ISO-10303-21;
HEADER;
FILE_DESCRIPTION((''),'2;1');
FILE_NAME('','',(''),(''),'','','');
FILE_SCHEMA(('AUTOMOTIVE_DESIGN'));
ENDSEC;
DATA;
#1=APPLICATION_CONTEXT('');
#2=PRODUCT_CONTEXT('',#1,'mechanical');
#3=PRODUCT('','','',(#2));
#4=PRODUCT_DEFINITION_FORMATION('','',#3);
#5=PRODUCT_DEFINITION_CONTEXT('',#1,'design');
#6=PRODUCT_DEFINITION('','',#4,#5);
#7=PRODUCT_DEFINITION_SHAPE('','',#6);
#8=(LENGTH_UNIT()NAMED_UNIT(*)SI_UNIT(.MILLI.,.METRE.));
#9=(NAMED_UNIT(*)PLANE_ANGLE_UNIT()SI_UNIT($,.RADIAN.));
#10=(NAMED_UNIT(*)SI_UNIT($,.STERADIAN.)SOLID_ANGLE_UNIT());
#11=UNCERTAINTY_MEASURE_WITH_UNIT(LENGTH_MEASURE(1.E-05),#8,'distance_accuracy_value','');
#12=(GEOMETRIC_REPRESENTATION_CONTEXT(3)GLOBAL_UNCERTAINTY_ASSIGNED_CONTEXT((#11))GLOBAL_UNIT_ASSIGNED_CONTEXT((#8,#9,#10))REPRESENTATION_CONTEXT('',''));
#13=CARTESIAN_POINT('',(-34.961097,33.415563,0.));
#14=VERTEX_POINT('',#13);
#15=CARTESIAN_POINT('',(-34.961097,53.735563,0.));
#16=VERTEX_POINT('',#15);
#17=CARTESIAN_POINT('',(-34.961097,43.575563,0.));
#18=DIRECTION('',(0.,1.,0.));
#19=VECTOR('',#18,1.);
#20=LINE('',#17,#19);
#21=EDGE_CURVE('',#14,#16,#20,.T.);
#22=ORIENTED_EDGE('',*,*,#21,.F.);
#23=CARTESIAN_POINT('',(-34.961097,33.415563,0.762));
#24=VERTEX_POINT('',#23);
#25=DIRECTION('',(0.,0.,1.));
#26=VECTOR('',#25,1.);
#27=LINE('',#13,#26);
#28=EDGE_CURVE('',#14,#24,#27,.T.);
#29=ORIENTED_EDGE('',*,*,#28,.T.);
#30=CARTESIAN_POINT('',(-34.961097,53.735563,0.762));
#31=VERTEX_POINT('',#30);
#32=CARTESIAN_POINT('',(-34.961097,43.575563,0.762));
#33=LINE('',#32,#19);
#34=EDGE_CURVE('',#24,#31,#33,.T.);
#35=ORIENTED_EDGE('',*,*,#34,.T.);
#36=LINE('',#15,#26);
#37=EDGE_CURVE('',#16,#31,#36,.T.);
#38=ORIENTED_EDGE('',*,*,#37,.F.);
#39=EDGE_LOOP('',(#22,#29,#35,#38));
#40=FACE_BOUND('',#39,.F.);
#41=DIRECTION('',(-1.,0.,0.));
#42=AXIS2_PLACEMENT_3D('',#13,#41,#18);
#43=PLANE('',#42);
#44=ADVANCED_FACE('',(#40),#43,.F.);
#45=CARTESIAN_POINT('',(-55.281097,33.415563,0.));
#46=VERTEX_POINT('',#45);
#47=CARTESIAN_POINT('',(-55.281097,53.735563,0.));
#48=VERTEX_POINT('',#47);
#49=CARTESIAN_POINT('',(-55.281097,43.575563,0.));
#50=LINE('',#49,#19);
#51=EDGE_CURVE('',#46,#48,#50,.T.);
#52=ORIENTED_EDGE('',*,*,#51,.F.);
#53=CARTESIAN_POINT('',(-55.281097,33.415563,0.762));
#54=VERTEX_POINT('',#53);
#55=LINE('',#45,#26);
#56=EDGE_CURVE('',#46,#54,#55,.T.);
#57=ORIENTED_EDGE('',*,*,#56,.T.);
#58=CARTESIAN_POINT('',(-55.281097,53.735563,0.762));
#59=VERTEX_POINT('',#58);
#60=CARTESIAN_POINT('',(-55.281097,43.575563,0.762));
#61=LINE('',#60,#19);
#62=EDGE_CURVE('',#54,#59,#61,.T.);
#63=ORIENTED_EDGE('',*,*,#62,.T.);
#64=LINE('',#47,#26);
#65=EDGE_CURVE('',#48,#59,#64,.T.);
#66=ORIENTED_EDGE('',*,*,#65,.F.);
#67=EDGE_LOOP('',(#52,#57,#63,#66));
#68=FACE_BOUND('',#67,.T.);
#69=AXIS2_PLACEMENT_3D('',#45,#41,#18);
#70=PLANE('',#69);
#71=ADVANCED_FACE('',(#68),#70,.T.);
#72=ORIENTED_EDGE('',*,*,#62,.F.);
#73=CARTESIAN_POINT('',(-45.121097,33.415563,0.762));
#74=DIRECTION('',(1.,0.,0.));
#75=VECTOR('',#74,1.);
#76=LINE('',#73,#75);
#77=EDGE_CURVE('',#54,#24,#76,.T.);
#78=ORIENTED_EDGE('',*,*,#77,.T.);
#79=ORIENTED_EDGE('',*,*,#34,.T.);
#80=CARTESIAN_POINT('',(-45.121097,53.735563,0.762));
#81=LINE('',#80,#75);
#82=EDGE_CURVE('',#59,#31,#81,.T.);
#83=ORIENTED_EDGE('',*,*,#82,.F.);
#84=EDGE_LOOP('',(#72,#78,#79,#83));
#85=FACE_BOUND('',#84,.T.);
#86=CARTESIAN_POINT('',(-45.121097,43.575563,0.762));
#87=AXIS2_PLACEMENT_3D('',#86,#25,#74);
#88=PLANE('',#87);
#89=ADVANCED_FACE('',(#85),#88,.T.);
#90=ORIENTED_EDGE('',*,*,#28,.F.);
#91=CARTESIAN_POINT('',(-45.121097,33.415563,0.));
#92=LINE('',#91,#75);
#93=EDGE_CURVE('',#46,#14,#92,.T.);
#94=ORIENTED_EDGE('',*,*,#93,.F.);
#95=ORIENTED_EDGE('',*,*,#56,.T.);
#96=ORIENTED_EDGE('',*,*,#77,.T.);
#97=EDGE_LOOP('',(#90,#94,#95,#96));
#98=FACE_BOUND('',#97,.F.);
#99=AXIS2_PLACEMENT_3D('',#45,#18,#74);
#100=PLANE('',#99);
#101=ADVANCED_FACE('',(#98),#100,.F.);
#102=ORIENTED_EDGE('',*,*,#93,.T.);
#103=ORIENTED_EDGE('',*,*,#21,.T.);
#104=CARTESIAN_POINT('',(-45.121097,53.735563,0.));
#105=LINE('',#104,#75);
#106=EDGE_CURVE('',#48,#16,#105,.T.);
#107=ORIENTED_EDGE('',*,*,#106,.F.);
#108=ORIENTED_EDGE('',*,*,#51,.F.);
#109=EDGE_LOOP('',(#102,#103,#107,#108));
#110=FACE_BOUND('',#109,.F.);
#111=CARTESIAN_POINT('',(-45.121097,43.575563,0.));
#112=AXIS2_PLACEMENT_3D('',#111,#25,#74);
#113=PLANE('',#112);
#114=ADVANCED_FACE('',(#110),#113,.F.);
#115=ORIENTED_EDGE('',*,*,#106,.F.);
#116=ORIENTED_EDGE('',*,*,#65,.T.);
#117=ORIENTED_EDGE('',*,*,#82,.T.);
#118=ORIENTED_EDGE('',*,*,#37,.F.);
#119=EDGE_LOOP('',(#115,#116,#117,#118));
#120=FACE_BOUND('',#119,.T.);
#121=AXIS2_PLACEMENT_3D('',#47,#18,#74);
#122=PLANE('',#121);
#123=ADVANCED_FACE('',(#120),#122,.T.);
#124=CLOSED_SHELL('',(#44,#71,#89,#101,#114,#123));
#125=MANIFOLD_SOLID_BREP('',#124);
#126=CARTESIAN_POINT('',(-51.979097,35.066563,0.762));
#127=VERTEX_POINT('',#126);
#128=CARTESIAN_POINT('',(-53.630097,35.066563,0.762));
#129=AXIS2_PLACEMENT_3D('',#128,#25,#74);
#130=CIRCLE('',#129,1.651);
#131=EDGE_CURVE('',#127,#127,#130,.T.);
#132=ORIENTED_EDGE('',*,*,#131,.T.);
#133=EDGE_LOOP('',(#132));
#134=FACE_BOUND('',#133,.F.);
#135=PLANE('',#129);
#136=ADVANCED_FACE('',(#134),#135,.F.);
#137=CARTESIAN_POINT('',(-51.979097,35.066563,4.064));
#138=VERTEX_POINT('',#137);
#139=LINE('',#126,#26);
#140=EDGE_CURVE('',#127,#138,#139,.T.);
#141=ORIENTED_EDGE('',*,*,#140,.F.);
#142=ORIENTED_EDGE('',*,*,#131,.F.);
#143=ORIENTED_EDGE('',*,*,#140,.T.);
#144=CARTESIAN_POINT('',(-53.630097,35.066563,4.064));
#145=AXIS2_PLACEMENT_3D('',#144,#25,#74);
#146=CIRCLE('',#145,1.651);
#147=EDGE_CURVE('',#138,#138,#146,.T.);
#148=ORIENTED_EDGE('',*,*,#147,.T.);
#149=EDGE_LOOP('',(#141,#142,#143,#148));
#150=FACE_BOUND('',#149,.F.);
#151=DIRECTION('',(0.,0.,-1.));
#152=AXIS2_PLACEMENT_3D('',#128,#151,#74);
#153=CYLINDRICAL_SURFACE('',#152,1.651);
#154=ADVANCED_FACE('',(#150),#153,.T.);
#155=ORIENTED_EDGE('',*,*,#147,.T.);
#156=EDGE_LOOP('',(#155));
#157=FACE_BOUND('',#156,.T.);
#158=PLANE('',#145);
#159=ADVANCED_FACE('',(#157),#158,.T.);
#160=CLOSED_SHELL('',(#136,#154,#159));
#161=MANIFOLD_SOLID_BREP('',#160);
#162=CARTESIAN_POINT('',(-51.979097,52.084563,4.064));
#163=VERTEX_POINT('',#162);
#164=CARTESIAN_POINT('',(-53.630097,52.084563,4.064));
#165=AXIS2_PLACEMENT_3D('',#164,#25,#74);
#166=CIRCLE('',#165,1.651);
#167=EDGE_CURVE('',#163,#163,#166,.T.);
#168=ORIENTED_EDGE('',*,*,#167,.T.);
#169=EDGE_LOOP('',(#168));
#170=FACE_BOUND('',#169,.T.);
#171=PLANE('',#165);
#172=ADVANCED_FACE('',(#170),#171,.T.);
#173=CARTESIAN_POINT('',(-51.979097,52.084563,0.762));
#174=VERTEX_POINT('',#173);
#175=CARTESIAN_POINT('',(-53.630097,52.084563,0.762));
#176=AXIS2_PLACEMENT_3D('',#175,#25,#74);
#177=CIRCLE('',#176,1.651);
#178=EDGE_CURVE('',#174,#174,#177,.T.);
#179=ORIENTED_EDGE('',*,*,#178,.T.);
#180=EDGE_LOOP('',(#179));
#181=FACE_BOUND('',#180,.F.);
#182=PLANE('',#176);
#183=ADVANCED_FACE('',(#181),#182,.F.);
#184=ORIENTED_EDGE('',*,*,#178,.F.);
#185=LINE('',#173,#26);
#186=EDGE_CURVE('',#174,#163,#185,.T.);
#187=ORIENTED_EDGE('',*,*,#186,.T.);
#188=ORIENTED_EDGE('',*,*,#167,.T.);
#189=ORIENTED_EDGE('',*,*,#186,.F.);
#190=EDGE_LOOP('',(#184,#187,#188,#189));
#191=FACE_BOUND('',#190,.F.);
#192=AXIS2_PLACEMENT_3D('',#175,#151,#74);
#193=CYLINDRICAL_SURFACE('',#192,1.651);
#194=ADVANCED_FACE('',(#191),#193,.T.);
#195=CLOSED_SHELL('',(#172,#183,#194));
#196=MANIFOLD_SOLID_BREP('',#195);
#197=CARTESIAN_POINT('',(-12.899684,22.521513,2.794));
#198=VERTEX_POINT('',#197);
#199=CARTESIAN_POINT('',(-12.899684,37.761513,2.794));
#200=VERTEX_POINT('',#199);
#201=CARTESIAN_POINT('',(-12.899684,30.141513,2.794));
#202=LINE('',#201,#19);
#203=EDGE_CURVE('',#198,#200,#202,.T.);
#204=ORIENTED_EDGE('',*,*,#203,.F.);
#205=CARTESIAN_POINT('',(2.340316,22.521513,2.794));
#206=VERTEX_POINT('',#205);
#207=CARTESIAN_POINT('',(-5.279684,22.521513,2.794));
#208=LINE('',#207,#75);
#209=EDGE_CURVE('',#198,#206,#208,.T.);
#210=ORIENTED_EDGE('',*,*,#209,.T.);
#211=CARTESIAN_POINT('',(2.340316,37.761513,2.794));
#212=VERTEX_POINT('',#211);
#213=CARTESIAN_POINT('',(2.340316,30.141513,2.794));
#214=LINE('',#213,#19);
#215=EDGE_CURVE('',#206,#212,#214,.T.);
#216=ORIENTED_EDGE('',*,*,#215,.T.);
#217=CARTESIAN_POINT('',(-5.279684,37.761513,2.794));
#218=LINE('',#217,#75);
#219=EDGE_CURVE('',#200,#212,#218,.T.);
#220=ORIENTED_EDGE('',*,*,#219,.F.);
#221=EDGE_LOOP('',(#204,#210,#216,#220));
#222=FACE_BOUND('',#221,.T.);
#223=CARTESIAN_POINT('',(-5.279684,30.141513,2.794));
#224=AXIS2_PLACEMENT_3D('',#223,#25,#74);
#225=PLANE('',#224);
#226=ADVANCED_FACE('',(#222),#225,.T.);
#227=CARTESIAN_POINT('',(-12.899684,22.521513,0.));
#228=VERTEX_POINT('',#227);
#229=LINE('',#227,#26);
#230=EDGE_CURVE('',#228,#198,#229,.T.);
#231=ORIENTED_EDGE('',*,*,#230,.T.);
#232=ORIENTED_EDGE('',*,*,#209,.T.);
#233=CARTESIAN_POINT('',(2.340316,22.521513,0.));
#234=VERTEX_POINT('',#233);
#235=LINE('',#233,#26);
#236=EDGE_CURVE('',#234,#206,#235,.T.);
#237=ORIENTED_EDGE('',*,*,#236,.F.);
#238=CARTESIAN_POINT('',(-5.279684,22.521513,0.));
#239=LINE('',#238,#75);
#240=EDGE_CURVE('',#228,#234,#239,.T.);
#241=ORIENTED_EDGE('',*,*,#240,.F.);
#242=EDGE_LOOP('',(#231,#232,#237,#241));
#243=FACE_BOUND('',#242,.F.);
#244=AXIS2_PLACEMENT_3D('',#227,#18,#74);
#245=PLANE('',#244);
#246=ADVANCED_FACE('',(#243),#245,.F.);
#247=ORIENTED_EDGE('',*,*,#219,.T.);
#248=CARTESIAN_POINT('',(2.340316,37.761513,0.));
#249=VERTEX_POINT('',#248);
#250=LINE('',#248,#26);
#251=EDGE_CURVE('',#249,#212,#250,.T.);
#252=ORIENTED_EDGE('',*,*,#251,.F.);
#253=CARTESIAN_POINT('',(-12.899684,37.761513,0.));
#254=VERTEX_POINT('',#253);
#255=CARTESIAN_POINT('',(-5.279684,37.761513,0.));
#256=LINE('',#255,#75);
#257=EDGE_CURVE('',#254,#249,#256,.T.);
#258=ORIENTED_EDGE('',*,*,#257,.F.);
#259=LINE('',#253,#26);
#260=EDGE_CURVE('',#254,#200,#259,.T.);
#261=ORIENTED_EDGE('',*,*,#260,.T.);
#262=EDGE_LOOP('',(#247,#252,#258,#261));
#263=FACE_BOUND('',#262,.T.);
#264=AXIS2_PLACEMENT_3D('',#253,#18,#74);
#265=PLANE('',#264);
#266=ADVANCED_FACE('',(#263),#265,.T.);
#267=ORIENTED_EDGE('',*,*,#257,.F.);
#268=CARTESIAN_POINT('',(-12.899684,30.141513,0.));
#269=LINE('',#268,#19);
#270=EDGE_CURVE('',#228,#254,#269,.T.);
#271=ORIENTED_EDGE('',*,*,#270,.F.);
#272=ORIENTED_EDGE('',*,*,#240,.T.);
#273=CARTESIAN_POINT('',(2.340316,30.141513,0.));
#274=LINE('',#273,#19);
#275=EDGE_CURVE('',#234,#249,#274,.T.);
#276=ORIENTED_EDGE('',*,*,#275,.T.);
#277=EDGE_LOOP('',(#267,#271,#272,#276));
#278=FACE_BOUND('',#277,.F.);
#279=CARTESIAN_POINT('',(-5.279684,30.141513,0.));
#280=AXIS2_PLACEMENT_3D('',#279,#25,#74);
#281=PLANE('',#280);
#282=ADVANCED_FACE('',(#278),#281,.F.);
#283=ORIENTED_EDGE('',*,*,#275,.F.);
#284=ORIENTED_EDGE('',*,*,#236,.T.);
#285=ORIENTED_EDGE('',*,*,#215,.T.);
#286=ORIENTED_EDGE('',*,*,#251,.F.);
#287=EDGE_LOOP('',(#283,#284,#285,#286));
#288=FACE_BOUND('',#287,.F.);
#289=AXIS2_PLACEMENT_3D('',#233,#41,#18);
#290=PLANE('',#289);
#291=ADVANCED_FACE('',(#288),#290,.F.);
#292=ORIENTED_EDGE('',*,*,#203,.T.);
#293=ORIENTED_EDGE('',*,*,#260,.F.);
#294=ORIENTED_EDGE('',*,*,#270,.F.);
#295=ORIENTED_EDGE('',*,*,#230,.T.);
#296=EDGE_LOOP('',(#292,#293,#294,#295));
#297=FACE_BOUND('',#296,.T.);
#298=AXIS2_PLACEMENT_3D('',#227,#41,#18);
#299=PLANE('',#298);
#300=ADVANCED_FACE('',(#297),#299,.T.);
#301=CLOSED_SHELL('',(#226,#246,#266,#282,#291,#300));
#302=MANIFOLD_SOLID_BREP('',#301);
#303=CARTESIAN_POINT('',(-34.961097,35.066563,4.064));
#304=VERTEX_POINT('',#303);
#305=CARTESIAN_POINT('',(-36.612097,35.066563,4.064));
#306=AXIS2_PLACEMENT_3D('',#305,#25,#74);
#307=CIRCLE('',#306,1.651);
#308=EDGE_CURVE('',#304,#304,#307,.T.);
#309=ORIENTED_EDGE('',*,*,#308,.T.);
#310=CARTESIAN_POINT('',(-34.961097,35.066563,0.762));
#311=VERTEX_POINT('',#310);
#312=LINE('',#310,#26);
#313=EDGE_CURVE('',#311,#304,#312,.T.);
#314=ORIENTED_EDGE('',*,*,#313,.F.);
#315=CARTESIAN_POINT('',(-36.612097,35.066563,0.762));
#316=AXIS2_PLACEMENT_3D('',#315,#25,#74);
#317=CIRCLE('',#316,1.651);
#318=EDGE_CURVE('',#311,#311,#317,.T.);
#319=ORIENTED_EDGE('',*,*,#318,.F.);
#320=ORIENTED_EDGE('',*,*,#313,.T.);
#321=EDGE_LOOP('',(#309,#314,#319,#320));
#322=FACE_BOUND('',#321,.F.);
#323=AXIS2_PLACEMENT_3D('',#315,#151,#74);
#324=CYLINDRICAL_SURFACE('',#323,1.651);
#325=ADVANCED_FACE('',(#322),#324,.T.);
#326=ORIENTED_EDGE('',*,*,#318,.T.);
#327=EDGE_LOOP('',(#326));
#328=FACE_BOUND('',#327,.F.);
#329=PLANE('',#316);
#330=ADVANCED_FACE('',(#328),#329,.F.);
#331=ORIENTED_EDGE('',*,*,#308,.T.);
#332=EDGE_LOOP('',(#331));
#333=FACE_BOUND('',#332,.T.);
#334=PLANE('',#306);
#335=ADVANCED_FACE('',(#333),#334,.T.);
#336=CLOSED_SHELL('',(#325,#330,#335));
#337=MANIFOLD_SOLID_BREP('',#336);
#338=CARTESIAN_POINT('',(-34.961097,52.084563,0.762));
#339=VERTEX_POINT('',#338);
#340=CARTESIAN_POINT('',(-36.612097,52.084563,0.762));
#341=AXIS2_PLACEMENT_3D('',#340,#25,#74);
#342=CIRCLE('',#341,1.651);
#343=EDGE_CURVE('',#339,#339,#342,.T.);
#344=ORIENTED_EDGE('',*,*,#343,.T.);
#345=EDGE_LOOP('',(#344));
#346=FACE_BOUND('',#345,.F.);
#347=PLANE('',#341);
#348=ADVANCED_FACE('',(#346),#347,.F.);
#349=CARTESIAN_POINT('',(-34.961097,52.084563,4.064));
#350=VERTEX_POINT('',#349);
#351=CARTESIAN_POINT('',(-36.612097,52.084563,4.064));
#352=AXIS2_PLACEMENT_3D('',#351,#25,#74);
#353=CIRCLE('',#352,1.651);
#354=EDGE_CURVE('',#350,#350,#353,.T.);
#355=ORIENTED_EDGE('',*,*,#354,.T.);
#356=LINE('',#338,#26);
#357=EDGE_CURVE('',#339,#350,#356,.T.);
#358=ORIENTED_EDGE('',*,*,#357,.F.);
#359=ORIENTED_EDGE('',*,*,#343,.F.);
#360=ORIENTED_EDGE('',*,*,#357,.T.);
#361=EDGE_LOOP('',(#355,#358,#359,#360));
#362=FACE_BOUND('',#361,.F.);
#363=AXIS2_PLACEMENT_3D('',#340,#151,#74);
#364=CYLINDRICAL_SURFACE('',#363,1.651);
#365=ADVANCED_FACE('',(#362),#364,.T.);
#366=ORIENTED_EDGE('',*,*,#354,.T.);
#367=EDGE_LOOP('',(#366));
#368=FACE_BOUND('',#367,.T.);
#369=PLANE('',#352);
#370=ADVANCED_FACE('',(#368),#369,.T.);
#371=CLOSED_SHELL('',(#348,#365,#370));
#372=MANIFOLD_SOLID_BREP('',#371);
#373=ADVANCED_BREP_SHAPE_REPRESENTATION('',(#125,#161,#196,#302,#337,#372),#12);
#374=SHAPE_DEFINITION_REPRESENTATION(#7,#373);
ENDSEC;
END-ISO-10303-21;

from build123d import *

# Parameters (mm, degrees)
F0_W     = 20.32
F0_H     = 20.32
F1_DEPTH = 0.762
F2_R     = 1.651
F3_DEPTH = 3.302
F4_W     = 15.24
F4_H     = 15.24
F5_DEPTH = 2.794


with BuildPart() as f1:
    # F0 (on Top) → F1 (new body)
    with BuildSketch(Plane.XY):
        with Locations((-45.121097, 43.575563)):
            Rectangle(F0_W, F0_H)
    extrude(amount=F1_DEPTH)


with BuildPart() as f3:
    # F2 (on face) → F3 (new body)
    with BuildSketch(Plane.XY.offset(0.762)):
        with Locations((-36.612097, 52.084563)):
            Circle(F2_R)
        with Locations((-53.630097, 52.084563)):
            Circle(F2_R)
        with Locations((-53.630097, 35.066563)):
            Circle(F2_R)
        with Locations((-36.612097, 35.066563)):
            Circle(F2_R)
    extrude(amount=F3_DEPTH)


with BuildPart() as f5:
    # F4 (on Top) → F5 (new body)
    with BuildSketch(Plane.XY):
        with Locations((-5.279684, 30.141513)):
            Rectangle(F4_W, F4_H)
    extrude(amount=F5_DEPTH)


solid = Compound([f1.part, f3.part, f5.part])
